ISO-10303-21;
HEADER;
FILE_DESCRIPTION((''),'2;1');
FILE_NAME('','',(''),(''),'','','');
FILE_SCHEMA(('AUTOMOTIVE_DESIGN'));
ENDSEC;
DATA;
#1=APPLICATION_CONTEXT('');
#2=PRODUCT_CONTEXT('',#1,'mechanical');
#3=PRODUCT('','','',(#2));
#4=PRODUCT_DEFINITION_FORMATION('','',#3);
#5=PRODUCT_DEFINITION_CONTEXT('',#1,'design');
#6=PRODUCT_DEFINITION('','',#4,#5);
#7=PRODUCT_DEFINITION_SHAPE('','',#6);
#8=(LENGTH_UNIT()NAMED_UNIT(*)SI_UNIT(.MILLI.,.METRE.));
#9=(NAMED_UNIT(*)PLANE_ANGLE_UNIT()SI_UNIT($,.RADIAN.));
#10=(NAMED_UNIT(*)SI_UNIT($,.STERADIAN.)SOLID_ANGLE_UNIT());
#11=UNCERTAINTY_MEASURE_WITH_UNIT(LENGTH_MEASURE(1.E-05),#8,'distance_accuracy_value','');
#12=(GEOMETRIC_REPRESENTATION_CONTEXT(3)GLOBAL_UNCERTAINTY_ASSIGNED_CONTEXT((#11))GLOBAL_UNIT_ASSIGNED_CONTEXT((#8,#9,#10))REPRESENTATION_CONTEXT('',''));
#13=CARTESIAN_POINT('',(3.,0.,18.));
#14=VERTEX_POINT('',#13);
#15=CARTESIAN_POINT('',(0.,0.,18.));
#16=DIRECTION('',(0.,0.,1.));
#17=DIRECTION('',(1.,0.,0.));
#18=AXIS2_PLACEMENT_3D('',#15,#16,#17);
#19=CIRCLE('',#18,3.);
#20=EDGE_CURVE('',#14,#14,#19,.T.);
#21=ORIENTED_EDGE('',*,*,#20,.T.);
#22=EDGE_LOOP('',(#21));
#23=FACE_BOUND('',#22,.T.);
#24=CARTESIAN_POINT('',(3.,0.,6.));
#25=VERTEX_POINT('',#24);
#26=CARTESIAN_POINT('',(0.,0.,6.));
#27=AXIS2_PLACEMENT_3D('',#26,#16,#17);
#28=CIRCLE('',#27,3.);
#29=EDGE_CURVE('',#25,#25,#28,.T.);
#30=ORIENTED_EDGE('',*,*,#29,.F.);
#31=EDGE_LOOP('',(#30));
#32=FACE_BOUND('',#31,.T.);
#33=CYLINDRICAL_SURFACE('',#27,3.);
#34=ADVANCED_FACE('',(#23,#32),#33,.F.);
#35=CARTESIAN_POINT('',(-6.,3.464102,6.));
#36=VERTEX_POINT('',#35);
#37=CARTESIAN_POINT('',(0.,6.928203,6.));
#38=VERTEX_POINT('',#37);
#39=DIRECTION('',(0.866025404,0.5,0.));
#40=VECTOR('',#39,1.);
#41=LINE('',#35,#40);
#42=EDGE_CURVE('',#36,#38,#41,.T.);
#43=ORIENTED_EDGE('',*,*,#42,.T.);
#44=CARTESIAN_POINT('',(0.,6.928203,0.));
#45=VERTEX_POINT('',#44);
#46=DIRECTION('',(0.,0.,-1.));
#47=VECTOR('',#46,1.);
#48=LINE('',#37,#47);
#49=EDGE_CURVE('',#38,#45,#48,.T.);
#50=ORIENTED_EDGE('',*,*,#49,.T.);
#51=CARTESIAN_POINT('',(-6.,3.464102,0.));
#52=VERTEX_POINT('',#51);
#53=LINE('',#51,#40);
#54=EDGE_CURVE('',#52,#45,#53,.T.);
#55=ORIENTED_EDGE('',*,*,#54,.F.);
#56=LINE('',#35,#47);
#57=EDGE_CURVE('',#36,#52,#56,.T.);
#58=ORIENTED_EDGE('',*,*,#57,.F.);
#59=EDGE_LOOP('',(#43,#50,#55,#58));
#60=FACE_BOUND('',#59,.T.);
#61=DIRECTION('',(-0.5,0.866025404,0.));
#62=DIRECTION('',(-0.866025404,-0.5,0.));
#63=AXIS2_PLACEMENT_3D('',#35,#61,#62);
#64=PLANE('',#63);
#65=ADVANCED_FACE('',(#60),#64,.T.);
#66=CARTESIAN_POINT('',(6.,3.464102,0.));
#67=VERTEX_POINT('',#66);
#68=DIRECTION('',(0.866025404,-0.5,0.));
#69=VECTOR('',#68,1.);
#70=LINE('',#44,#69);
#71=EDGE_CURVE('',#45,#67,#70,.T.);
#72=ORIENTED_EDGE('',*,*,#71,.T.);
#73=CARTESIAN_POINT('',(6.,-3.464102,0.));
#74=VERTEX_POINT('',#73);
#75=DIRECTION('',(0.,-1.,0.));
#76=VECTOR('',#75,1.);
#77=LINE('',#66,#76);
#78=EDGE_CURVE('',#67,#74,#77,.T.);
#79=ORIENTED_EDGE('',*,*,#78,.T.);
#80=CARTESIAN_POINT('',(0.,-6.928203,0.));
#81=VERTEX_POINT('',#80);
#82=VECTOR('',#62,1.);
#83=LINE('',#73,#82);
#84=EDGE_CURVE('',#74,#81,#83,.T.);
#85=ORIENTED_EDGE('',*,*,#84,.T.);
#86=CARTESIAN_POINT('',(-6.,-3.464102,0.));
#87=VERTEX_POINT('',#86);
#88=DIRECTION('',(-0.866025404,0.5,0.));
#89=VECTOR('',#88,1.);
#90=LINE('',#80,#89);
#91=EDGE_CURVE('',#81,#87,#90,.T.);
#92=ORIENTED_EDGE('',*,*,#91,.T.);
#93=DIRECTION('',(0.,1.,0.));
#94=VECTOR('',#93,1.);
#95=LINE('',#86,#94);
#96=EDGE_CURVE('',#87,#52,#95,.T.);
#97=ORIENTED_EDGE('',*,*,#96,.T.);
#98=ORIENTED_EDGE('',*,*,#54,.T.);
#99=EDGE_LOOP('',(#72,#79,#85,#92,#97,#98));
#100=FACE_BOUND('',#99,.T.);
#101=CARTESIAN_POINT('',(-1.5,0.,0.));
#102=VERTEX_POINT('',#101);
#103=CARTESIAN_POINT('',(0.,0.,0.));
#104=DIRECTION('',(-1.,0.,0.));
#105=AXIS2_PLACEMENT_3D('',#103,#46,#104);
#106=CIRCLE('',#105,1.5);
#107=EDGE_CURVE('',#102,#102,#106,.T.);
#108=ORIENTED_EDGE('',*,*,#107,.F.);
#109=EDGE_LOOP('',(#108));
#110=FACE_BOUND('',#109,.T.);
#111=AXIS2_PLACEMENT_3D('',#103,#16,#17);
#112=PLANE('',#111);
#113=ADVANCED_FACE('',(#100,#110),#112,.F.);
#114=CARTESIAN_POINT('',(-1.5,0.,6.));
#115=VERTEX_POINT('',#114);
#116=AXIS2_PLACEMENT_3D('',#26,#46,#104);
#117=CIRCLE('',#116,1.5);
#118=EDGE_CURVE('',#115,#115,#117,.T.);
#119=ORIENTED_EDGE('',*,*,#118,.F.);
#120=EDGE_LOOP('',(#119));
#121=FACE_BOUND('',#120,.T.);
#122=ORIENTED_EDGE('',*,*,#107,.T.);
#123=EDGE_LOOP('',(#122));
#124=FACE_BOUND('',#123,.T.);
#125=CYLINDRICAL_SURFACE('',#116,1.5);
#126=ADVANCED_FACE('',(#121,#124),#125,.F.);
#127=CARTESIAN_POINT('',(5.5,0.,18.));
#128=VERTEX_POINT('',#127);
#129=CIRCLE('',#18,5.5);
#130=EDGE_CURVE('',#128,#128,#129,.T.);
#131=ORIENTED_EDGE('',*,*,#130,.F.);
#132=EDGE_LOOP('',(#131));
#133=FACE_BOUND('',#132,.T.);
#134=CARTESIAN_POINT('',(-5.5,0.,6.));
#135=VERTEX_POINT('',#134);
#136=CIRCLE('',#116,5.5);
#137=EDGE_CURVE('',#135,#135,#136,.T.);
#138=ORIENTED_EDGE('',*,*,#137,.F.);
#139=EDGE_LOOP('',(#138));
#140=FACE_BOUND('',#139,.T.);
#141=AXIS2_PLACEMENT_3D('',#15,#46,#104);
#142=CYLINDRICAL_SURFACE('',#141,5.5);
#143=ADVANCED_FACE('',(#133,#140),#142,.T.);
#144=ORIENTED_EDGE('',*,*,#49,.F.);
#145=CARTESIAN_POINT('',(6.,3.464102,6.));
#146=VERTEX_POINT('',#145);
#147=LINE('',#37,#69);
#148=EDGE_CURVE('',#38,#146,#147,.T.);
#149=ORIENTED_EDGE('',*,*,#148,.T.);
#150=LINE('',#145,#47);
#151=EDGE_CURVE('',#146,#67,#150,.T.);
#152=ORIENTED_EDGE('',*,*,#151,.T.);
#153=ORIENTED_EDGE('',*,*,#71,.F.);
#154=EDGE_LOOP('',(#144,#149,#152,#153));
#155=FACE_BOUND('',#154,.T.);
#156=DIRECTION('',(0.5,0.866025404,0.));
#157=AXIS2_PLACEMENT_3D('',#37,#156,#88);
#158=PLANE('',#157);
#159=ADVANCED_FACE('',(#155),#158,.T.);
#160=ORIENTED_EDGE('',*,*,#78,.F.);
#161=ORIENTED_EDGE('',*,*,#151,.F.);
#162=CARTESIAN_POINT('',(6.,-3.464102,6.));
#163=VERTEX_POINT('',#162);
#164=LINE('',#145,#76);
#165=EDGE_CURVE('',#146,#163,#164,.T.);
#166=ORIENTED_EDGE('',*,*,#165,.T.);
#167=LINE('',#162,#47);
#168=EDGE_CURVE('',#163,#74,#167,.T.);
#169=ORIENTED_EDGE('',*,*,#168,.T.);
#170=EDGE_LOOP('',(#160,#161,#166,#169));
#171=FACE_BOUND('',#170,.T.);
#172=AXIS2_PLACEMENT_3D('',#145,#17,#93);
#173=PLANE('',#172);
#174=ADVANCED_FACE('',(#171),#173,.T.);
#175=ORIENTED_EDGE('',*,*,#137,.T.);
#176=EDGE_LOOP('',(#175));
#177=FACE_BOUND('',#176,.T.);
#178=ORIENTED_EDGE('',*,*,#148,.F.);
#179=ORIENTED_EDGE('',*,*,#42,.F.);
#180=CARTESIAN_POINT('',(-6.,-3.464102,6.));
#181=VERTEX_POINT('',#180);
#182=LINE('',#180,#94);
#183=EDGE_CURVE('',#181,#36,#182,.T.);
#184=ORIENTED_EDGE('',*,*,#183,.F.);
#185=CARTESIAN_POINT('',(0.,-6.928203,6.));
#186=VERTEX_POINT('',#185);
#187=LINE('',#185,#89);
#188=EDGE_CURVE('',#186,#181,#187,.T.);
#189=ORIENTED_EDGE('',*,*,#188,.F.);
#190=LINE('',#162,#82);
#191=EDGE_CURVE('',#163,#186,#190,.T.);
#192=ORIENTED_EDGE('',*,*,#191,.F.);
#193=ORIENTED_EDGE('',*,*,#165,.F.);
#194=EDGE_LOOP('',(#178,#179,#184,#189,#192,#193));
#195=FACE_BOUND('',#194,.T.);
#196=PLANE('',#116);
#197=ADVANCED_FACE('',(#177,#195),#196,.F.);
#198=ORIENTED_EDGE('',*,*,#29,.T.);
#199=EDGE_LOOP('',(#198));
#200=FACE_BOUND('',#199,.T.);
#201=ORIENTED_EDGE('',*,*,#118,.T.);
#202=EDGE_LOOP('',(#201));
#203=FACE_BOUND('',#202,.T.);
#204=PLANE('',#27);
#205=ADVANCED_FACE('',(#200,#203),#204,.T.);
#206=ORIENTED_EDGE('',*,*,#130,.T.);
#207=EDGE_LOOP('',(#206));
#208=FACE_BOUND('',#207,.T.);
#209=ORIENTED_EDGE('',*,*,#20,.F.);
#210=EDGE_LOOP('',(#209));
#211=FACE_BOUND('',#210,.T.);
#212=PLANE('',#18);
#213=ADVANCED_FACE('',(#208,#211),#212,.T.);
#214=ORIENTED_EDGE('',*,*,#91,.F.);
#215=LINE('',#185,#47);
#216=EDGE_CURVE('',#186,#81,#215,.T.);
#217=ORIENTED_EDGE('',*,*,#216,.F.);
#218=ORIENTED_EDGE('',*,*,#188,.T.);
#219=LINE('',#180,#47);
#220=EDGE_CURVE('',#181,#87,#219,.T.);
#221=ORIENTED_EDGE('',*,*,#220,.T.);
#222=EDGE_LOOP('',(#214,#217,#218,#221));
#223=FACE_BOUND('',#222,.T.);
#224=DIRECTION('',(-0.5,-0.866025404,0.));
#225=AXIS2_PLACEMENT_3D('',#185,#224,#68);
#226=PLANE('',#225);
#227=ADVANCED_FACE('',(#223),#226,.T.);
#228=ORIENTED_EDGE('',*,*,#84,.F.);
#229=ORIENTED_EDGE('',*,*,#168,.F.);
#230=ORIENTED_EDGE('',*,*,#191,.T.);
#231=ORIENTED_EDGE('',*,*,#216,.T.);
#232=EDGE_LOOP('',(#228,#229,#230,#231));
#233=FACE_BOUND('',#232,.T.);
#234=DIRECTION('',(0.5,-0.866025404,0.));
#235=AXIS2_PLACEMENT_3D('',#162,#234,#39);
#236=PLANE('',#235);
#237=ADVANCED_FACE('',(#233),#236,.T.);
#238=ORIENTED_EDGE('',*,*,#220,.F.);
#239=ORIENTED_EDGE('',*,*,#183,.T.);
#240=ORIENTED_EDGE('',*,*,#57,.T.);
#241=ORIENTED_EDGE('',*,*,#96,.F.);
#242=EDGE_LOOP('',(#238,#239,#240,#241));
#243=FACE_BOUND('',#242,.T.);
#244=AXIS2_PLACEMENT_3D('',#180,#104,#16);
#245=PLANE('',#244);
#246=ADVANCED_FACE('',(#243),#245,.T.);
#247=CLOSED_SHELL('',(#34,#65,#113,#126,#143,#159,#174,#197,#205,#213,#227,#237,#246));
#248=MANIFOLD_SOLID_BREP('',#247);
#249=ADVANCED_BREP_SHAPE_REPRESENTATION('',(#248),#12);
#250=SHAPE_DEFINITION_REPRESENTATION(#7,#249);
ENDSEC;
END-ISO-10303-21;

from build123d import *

# Parameters (mm, degrees)
CROQUIS2_R              = 5.5
SALIENTE_EXTRUIR1_DEPTH = 18
SALIENTE_EXTRUIR2_DEPTH = 6
CROQUIS4_R              = 3
CORTAR_EXTRUIR1_DEPTH   = 12
CROQUIS5_R              = 1.5
CORTAR_EXTRUIR2_DEPTH   = 6


with BuildPart() as part:
    # Croquis2 → Saliente-Extruir1 (new body)
    with BuildSketch(Plane.XY):
        Circle(CROQUIS2_R)
    extrude(amount=SALIENTE_EXTRUIR1_DEPTH)

    # Croquis3 → Saliente-Extruir2 (add)
    with BuildSketch(Plane(origin=(0, 0, 0), x_dir=(-1, 0, 0), z_dir=(0, 0, -1))):
        Polygon((0, 6.92820323), (-6, 3.464101615), (-6, -3.464101615), (0, -6.92820323), (6, -3.464101615), (6, 3.464101615), align=None)
    extrude(amount=-SALIENTE_EXTRUIR2_DEPTH)

    # Croquis4 → Cortar-Extruir1 (cut)
    with BuildSketch(Plane.XY.offset(18)):
        Circle(CROQUIS4_R)
    extrude(amount=-CORTAR_EXTRUIR1_DEPTH, mode=Mode.SUBTRACT)

    # Croquis5 → Cortar-Extruir2 (cut)
    with BuildSketch(Plane(origin=(0, 0, 0), x_dir=(-1, 0, 0), z_dir=(0, 0, -1))):
        Circle(CROQUIS5_R)
    extrude(amount=-CORTAR_EXTRUIR2_DEPTH, mode=Mode.SUBTRACT)


solid = part.part
